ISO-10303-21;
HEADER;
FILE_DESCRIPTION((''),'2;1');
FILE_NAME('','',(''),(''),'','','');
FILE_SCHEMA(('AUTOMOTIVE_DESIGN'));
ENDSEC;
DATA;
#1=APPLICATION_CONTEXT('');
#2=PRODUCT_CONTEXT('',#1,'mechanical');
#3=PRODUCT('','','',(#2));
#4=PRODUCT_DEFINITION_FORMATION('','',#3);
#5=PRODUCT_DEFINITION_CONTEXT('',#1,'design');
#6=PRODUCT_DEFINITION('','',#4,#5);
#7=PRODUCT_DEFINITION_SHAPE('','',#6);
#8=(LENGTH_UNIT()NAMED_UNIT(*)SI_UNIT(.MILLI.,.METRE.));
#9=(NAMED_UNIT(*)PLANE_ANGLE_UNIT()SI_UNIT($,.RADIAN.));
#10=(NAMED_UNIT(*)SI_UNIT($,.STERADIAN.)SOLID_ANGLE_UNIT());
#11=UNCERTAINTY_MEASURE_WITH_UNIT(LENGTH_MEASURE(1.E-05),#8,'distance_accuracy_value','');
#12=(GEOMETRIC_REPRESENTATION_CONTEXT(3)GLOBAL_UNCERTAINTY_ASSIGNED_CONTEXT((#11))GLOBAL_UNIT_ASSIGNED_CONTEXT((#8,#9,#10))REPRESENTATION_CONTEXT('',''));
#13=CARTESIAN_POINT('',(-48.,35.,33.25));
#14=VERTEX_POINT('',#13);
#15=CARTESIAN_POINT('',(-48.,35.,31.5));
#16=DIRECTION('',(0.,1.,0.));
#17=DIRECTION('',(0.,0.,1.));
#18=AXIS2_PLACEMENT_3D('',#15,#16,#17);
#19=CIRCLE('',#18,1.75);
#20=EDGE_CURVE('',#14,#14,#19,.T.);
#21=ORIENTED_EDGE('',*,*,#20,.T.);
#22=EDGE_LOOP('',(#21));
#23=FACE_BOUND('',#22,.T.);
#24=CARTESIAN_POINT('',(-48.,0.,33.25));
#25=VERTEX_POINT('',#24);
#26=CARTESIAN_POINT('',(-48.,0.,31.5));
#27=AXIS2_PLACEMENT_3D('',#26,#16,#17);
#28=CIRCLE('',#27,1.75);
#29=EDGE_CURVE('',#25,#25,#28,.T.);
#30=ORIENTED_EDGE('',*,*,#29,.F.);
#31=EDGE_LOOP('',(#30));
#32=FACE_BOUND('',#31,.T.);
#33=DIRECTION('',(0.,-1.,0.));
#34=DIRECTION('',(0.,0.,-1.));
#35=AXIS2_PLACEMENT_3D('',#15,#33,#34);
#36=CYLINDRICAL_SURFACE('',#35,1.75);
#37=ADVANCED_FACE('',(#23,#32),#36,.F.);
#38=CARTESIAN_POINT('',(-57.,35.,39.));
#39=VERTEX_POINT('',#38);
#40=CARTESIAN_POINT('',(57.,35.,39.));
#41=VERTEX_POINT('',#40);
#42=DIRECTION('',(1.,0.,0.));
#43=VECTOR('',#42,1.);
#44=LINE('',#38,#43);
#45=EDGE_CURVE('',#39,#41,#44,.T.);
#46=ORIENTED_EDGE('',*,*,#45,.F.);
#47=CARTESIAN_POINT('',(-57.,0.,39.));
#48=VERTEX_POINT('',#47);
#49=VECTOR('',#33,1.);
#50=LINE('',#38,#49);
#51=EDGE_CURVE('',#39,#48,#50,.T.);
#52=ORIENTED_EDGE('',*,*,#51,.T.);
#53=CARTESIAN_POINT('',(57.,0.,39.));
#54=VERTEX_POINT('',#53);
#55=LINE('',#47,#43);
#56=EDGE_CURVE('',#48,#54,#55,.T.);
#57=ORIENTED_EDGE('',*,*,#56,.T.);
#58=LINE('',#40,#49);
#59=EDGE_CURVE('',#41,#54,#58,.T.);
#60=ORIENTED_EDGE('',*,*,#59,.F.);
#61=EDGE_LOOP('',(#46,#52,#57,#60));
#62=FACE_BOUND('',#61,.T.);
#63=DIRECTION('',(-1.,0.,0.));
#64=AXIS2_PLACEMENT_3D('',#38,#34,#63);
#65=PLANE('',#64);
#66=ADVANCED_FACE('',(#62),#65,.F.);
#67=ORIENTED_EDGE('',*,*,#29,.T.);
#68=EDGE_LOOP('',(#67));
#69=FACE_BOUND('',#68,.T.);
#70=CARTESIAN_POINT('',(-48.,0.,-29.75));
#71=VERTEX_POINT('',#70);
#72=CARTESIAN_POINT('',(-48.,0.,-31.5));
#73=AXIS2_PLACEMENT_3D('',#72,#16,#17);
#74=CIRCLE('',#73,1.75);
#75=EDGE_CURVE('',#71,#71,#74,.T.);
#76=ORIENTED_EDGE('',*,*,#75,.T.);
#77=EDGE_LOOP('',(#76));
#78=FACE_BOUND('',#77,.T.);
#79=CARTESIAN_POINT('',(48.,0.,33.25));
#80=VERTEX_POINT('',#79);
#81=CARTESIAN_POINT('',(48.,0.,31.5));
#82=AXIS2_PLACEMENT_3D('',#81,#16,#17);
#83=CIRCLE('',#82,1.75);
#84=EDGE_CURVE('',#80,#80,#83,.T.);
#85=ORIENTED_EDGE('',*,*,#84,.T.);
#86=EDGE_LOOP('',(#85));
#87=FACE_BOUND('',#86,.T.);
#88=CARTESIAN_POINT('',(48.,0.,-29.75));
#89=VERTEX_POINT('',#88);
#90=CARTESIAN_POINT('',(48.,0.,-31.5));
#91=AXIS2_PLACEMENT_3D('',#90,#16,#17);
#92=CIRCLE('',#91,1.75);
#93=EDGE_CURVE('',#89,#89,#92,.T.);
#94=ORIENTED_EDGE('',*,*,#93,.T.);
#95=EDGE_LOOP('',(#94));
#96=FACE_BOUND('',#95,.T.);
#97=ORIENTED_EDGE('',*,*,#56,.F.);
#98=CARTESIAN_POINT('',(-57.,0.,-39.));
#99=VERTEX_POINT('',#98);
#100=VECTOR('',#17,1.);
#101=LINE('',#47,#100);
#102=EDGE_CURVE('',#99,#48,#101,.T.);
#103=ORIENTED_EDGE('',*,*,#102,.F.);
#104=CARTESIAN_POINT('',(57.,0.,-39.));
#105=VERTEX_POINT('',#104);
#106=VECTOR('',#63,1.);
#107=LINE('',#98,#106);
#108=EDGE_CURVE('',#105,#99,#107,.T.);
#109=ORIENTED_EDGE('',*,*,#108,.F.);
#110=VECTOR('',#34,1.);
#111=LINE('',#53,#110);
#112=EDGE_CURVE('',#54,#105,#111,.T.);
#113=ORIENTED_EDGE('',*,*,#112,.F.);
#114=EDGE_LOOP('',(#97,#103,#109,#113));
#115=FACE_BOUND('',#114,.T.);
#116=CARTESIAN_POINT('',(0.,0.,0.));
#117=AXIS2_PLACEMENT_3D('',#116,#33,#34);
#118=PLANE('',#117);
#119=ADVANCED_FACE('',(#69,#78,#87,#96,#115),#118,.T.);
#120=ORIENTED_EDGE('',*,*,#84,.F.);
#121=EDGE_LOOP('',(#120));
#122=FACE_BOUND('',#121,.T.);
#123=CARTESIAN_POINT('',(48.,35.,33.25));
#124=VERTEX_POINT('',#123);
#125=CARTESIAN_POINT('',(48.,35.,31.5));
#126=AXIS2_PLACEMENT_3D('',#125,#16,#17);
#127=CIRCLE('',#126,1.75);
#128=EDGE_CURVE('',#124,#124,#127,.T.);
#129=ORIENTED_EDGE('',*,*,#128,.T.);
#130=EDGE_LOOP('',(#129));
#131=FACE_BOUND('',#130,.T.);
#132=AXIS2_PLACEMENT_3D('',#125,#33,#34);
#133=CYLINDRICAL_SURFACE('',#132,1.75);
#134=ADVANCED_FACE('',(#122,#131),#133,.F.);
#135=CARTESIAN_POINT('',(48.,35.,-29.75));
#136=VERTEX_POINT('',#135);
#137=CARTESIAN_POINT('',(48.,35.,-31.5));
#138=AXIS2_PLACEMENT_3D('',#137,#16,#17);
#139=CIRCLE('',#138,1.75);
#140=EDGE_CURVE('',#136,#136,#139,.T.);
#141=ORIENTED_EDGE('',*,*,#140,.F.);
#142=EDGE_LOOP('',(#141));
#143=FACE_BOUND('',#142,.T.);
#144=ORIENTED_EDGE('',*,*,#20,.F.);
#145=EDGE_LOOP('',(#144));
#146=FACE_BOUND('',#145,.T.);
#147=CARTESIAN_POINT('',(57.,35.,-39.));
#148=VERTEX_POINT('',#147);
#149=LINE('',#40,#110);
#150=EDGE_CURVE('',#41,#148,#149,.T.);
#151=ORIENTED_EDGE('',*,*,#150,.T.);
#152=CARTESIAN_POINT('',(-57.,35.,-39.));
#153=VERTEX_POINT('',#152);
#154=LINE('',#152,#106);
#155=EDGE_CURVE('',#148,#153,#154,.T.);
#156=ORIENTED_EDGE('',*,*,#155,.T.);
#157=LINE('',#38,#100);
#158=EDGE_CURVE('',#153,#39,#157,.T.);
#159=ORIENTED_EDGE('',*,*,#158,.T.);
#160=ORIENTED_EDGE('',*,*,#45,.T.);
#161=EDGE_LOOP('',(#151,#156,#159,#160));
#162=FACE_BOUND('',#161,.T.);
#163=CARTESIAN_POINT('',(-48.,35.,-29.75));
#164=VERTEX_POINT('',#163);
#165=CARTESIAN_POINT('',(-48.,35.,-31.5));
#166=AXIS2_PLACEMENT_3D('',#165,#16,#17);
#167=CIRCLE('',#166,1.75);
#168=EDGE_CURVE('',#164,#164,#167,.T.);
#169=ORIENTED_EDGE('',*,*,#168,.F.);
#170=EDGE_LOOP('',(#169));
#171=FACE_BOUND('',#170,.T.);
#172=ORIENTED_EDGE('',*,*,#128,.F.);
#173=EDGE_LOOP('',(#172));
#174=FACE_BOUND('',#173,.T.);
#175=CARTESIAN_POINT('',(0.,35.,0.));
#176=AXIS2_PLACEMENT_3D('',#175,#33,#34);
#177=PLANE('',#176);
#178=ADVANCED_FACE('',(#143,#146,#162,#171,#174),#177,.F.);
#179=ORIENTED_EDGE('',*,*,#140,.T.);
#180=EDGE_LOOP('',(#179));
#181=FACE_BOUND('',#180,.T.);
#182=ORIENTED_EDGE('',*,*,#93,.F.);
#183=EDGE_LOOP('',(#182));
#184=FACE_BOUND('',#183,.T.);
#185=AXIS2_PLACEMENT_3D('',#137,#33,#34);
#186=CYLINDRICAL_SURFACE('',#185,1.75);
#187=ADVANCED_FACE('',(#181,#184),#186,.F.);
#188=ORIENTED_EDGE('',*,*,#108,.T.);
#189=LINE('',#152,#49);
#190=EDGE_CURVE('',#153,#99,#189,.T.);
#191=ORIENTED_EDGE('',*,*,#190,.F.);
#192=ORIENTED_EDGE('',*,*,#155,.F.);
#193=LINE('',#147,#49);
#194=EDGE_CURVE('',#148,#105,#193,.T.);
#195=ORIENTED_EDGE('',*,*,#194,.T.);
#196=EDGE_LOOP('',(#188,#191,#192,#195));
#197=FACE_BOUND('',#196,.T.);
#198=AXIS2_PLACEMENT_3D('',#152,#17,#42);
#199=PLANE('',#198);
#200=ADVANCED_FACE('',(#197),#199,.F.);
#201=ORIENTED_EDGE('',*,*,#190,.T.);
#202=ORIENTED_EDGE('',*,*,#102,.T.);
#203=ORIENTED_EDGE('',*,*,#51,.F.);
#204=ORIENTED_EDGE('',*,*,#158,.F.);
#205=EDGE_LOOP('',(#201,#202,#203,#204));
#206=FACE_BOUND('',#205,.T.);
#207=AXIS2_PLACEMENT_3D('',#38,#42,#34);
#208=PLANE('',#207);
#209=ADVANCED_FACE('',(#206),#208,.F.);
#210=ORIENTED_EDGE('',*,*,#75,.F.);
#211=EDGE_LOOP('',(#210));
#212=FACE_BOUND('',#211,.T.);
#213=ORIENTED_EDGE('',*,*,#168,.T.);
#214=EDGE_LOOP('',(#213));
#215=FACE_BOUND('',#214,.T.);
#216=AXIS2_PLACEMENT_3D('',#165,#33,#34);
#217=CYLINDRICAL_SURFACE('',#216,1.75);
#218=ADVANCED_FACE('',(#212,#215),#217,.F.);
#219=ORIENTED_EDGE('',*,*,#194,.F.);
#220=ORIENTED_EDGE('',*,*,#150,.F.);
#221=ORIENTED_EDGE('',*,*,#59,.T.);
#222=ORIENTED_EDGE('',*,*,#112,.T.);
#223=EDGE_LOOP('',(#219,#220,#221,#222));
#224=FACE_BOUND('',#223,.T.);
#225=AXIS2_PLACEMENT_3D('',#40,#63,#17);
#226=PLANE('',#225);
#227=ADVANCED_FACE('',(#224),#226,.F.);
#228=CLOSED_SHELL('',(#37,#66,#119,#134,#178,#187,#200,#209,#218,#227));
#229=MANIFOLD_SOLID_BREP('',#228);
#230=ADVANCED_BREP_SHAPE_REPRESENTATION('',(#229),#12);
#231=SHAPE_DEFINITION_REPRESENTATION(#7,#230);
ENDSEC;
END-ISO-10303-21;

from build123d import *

# Parameters (mm, degrees)
SKETCH_1_W      = 114
SKETCH_1_H      = 78
SKETCH_1_R      = 1.75
EXTRUDE_1_DEPTH = 35


with BuildPart() as part:
    # 草图1 → 凸台-拉伸1 (new body)
    with BuildSketch(Plane(origin=(0, 0, 0), x_dir=(1, 0, 0), z_dir=(0, 1, 0))):
        Rectangle(SKETCH_1_W, SKETCH_1_H)
        with Locations(Location((-48, 31.5, 0), (0, 0, 270))):
            Circle(SKETCH_1_R, mode=Mode.SUBTRACT)
        with Locations(Location((-48, -31.5, 0), (0, 0, 270))):
            Circle(SKETCH_1_R, mode=Mode.SUBTRACT)
        with Locations(Location((48, -31.5, 0), (0, 0, 270))):
            Circle(SKETCH_1_R, mode=Mode.SUBTRACT)
        with Locations(Location((48, 31.5, 0), (0, 0, 270))):
            Circle(SKETCH_1_R, mode=Mode.SUBTRACT)
    extrude(amount=EXTRUDE_1_DEPTH)


solid = part.part
